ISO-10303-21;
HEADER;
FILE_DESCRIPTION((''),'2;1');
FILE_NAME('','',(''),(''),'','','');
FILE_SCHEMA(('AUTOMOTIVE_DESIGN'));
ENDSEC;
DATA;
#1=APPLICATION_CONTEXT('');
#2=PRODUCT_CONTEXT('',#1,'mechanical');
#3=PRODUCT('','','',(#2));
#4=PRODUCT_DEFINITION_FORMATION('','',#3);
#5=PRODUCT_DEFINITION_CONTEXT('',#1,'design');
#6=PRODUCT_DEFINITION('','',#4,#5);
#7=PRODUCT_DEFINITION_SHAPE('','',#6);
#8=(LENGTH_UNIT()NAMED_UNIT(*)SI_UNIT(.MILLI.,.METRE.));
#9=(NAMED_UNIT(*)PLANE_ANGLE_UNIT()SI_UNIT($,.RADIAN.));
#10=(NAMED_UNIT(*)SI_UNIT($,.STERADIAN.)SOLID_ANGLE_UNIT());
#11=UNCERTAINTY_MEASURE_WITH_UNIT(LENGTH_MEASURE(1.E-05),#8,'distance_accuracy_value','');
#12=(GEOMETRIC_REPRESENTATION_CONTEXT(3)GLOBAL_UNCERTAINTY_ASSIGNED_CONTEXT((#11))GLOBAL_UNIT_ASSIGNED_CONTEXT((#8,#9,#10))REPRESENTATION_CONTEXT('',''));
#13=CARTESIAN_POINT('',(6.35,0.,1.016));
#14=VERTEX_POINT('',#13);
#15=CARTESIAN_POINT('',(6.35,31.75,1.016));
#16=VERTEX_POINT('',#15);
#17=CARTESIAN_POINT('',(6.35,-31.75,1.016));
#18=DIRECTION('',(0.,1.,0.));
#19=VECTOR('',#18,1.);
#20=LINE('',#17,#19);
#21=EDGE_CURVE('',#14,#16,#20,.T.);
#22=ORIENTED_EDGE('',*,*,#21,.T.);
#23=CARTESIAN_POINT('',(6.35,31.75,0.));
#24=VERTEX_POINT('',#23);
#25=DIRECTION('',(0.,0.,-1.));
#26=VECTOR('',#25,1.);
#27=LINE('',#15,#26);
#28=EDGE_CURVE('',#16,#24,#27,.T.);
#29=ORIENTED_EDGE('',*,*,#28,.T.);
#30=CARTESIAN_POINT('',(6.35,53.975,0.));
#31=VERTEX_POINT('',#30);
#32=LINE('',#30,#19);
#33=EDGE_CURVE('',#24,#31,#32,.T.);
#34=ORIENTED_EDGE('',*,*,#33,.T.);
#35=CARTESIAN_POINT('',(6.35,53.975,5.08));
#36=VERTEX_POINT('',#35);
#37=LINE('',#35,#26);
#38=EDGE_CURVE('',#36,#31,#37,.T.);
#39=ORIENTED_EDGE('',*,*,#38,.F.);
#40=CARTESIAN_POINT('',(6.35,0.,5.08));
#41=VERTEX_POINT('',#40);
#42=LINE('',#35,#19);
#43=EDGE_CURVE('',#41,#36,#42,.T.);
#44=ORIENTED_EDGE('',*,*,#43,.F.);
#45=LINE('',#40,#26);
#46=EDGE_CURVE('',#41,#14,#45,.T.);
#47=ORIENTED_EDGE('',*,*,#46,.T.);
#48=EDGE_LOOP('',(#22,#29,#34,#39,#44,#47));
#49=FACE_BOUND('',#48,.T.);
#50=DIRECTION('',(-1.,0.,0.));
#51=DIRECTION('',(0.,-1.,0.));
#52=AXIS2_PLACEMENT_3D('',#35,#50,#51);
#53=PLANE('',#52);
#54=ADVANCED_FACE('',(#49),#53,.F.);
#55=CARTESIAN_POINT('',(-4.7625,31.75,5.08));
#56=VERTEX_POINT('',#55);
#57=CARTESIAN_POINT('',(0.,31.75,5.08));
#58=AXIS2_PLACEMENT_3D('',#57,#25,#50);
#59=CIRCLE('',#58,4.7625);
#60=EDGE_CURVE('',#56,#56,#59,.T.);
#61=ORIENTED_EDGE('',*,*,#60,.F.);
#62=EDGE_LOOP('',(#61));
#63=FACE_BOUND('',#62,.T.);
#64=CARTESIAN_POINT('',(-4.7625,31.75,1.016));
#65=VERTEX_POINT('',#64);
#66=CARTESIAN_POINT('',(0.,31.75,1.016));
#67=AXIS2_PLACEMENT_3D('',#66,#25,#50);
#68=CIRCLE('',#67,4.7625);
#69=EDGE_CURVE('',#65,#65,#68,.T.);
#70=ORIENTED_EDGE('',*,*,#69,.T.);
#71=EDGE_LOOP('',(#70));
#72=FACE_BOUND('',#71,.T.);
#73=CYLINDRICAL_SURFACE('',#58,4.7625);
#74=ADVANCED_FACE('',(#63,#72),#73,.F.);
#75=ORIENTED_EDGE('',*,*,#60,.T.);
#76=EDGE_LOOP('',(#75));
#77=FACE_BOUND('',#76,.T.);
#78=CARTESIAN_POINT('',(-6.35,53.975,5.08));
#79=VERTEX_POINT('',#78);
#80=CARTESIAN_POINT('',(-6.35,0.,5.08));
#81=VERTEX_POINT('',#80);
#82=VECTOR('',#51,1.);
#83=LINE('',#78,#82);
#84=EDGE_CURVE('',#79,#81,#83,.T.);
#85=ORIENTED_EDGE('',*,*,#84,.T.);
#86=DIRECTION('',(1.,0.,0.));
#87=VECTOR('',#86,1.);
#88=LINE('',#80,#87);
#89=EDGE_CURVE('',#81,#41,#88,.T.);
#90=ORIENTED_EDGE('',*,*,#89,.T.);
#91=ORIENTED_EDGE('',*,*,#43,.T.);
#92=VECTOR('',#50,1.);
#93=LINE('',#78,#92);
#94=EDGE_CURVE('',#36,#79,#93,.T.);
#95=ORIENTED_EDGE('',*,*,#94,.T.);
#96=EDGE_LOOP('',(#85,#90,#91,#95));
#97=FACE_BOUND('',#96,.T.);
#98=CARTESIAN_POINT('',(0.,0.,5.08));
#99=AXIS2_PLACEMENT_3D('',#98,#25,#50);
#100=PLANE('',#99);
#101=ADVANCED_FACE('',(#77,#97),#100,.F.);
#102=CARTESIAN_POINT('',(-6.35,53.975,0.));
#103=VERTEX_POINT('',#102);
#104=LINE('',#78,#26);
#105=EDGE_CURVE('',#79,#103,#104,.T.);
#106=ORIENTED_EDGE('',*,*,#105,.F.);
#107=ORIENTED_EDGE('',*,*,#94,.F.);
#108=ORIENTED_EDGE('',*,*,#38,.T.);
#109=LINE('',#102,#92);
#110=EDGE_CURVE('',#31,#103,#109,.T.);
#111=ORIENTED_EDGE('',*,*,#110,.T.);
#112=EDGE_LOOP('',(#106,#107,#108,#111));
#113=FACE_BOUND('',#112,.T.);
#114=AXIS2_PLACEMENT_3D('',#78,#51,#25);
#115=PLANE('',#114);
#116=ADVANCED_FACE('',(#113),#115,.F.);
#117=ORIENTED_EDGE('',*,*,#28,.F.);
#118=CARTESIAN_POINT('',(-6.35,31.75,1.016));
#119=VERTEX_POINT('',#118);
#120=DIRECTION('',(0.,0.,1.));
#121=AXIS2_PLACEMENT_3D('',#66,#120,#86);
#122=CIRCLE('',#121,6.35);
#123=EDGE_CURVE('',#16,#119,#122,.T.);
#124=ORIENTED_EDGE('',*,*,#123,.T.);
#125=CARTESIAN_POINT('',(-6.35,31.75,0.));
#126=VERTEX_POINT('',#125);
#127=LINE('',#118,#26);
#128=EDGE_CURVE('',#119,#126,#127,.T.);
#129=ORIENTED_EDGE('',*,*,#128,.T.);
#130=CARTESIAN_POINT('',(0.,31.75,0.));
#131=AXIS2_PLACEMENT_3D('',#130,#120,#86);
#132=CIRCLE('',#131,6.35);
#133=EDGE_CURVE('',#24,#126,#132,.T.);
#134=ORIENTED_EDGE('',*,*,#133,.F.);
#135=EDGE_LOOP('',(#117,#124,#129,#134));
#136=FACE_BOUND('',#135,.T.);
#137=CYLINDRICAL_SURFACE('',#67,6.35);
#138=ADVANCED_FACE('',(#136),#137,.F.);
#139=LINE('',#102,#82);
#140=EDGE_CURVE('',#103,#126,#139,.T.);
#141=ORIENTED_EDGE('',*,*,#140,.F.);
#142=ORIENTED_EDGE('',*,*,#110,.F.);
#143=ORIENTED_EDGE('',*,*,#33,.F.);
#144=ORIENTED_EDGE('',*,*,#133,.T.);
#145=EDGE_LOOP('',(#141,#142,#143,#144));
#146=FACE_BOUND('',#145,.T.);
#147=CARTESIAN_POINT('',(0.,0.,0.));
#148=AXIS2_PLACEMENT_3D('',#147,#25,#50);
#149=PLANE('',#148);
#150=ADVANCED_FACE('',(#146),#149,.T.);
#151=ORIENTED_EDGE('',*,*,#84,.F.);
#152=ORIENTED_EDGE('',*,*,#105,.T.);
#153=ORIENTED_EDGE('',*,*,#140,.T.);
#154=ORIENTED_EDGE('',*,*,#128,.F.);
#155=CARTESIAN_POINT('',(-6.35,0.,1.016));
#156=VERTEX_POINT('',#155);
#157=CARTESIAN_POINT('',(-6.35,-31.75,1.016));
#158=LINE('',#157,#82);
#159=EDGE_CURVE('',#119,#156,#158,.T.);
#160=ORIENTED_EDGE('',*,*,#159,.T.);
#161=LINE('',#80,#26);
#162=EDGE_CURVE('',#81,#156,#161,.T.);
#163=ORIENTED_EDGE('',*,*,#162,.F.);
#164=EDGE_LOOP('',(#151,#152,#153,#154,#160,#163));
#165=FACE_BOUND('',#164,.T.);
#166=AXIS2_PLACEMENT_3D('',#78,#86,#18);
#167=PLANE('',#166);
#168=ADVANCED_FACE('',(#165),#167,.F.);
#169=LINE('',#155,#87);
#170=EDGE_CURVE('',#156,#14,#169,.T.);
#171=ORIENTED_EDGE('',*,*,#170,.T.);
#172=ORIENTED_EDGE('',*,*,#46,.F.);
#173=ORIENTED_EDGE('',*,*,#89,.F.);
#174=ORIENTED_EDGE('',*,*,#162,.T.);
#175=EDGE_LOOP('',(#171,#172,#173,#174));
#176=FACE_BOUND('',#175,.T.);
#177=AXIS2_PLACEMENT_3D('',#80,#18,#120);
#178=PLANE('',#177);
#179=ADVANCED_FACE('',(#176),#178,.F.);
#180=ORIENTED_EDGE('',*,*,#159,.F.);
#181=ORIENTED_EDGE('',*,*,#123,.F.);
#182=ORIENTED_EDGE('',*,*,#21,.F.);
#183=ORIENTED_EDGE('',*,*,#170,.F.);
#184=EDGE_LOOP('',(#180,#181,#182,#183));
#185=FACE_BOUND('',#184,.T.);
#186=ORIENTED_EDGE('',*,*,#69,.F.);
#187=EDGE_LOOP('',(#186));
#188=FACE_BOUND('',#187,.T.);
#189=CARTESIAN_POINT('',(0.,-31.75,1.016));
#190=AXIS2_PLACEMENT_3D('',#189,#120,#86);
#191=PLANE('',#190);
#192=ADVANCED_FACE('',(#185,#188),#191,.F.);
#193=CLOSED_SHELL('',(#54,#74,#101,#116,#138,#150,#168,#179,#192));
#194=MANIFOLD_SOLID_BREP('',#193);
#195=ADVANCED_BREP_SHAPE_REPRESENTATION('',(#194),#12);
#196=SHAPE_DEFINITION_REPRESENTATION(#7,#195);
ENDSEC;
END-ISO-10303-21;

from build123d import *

# Parameters (mm, degrees)
SKETCH1_W           = 12.7
SKETCH1_H           = 53.975
BOSS_EXTRUDE1_DEPTH = 5.08
CUT_EXTRUDE1_DEPTH  = 1.016
SKETCH3_R           = 4.7625
CUT_EXTRUDE2_DEPTH  = 55.498983669


with BuildPart() as part:
    # Sketch1 → Boss-Extrude1 (new body)
    with BuildSketch(Plane.XY):
        with Locations((0, 26.9875)):
            Rectangle(SKETCH1_W, SKETCH1_H)
    extrude(amount=BOSS_EXTRUDE1_DEPTH)

    # Sketch2 → Cut-Extrude1 (cut)
    with BuildSketch(Plane.XY):
        with BuildLine():
            Line((-6.35, -31.75), (-6.35, 31.75))
            ThreePointArc((-6.35, 31.75), (0, 38.1), (6.35, 31.75))
            Line((6.35, 31.75), (6.35, -31.75))
            ThreePointArc((6.35, -31.75), (0, -38.1), (-6.35, -31.75))
        make_face()
    extrude(amount=CUT_EXTRUDE1_DEPTH, mode=Mode.SUBTRACT)

    # Sketch3 → Cut-Extrude2 (cut, through all)
    with BuildSketch(Plane(origin=(0, 0, 1.016), x_dir=(-1, 0, 0), z_dir=(0, 0, -1))):
        with Locations((0, 31.75)):
            Circle(SKETCH3_R)
    extrude(amount=-CUT_EXTRUDE2_DEPTH, mode=Mode.SUBTRACT)


solid = part.part
